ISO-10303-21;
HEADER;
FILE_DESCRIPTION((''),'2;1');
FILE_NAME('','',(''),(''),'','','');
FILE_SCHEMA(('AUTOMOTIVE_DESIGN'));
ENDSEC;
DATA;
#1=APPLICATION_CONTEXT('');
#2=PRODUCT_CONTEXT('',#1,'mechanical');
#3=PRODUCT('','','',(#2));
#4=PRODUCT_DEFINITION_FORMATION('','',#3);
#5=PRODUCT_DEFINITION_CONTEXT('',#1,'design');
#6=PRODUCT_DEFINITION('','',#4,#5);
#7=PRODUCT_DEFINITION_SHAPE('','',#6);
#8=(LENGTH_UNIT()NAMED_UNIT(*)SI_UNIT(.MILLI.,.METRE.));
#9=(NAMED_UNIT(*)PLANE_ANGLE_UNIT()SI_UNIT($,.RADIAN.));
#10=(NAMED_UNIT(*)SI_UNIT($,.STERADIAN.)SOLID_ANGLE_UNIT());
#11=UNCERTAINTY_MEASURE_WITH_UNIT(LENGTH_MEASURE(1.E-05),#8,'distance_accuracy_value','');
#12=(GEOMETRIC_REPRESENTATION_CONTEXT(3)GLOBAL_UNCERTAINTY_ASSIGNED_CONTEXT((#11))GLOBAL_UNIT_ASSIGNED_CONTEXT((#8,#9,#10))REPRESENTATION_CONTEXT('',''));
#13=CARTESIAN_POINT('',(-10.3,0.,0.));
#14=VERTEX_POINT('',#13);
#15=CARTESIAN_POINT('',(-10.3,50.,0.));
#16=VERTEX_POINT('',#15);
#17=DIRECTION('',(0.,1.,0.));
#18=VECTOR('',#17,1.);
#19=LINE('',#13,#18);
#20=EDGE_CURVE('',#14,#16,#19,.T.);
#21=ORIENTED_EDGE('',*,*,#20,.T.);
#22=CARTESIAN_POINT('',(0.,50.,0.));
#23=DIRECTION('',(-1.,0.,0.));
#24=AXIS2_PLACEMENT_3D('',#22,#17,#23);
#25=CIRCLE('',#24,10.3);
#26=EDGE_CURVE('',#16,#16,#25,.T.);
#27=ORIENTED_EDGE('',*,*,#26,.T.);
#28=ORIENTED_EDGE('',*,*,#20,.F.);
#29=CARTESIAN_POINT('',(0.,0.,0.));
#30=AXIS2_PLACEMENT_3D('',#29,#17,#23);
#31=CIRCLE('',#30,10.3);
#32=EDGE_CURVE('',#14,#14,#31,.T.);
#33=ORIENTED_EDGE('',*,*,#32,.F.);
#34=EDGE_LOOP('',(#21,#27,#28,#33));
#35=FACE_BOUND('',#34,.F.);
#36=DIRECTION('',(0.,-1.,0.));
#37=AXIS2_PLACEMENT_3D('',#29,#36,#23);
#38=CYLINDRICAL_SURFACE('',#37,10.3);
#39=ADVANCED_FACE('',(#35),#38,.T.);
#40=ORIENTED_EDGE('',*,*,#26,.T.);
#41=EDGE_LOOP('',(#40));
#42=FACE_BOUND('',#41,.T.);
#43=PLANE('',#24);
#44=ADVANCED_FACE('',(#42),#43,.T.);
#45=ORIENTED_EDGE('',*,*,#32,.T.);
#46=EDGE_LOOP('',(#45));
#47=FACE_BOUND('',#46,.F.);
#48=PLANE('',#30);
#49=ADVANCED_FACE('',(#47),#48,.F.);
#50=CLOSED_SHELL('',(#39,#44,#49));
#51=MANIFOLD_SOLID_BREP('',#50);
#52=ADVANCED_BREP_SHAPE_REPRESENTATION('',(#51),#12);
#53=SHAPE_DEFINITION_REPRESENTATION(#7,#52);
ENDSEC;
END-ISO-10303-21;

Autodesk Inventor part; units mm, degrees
ref_plane "YZ Plane" through (0, 0, 0) normal (1, 0, 0) x (0, 1, 0)
ref_plane "XZ Plane" through (0, 0, 0) normal (0, 1, 0) x (-1, 0, 0)
ref_plane "XY Plane" through (0, 0, 0) normal (0, 0, 1) x (1, 0, 0)
sketch "Sketch1" plane through (0, 0, 0) normal (0, 1, 0) x (-1, 0, 0)
  circle A0 centre (0, 0) radius 10.3
  dimension "d0" = 20.6
extrude "Extrusion1" add sketch "Sketch1" along normal blind 50
properties part number "collision_cylinder10_3"
